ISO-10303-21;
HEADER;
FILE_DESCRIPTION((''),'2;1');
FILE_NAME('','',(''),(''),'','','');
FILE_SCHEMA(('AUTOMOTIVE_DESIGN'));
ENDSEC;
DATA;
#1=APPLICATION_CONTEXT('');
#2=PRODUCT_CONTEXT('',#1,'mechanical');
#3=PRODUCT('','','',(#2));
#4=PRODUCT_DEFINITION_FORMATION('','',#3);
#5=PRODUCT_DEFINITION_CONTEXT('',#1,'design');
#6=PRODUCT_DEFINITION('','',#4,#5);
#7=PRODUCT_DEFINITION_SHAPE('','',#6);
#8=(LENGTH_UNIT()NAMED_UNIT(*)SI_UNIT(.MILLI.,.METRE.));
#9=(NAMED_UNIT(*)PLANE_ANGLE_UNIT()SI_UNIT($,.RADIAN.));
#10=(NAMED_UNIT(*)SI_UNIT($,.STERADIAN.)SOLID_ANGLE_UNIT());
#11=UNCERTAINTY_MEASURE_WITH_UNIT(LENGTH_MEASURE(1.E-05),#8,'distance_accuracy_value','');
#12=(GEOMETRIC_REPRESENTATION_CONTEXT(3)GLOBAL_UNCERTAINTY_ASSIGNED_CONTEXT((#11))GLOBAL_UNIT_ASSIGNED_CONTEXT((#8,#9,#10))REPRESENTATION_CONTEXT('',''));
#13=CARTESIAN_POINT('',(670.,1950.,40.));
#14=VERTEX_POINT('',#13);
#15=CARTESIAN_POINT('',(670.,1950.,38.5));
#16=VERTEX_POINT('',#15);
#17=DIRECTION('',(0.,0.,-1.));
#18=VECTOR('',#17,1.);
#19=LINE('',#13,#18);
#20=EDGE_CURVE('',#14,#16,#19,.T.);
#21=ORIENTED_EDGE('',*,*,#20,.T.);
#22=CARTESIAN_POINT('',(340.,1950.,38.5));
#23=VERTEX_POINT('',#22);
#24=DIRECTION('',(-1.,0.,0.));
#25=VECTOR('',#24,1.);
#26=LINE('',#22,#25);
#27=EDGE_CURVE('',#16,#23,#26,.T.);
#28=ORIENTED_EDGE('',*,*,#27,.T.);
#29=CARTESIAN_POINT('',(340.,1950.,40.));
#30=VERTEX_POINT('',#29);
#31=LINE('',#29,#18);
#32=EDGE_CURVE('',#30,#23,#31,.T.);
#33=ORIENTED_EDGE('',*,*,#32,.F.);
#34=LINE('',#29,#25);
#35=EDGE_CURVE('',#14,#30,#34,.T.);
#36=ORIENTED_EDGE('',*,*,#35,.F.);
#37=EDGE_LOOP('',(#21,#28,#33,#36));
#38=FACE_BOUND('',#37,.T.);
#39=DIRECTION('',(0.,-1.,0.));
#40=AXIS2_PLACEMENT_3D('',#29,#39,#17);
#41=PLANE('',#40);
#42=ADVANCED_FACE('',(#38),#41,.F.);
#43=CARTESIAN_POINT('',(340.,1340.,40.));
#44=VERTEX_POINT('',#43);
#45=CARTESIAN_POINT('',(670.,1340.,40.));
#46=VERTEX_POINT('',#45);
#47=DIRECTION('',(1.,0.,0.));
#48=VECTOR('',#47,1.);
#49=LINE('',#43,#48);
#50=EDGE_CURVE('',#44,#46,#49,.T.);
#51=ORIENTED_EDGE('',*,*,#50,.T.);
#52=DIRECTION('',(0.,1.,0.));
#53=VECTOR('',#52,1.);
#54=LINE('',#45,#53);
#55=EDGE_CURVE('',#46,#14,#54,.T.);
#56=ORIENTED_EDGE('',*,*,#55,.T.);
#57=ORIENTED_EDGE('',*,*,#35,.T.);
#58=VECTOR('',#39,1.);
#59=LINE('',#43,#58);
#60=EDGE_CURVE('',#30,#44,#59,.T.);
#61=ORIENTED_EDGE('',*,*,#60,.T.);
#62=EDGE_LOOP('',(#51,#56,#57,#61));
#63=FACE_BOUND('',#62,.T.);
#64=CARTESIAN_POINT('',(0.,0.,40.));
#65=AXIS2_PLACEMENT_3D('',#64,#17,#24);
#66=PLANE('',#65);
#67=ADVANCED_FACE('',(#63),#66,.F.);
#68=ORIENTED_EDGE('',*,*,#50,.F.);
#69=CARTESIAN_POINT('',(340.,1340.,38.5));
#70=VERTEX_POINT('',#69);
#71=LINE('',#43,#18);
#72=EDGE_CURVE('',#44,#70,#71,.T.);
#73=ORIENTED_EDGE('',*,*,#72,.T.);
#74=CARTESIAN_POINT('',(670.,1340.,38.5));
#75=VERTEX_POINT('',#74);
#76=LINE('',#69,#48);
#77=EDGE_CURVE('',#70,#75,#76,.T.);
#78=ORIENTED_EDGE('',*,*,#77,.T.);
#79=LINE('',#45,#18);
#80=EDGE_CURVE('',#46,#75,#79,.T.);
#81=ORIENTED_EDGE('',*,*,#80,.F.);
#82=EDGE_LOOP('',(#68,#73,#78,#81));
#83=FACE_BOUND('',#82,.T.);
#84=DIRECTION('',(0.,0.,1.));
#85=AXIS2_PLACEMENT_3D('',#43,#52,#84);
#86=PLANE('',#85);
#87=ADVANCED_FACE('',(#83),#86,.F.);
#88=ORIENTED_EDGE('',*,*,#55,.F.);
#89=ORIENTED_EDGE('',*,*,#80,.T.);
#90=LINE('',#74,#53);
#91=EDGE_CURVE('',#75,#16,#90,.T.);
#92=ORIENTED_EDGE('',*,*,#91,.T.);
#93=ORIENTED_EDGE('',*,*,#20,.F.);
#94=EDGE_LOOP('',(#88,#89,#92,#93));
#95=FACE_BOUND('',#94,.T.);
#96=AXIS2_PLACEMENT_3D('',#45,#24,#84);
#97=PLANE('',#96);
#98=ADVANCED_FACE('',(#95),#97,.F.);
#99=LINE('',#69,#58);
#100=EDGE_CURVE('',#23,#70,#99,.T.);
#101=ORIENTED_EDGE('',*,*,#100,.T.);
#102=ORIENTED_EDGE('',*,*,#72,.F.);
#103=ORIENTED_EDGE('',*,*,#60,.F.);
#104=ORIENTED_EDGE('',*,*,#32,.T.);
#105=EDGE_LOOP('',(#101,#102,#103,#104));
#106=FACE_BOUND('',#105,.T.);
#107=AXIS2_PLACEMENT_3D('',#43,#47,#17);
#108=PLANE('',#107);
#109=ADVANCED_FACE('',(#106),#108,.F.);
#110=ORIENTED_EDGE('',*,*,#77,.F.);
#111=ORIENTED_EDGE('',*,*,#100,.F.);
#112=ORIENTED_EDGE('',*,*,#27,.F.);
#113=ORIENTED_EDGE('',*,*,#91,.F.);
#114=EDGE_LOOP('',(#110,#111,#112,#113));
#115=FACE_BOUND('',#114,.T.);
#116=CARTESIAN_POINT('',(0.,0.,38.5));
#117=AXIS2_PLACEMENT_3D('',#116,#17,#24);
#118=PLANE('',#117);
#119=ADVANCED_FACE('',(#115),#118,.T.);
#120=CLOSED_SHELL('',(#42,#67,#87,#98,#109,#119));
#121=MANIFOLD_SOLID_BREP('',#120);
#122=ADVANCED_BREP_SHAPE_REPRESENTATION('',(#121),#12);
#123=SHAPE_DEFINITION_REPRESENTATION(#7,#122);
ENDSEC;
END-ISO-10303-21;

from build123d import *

# Parameters (mm, degrees)
PRESS_PANEL_UST_SAG_1_START = 38.5
SKETCH1_W                   = 330
SKETCH1_H                   = 610
PRESS_PANEL_UST_SAG_1_DEPTH = 1.5


with BuildPart() as part:
    # Sketch1 → PRESS_panel_ust_sag_1 (new body)
    with BuildSketch(Plane.XY.offset(PRESS_PANEL_UST_SAG_1_START)):
        with Locations((505, 1645)):
            Rectangle(SKETCH1_W, SKETCH1_H)
    extrude(amount=PRESS_PANEL_UST_SAG_1_DEPTH)


solid = part.part
